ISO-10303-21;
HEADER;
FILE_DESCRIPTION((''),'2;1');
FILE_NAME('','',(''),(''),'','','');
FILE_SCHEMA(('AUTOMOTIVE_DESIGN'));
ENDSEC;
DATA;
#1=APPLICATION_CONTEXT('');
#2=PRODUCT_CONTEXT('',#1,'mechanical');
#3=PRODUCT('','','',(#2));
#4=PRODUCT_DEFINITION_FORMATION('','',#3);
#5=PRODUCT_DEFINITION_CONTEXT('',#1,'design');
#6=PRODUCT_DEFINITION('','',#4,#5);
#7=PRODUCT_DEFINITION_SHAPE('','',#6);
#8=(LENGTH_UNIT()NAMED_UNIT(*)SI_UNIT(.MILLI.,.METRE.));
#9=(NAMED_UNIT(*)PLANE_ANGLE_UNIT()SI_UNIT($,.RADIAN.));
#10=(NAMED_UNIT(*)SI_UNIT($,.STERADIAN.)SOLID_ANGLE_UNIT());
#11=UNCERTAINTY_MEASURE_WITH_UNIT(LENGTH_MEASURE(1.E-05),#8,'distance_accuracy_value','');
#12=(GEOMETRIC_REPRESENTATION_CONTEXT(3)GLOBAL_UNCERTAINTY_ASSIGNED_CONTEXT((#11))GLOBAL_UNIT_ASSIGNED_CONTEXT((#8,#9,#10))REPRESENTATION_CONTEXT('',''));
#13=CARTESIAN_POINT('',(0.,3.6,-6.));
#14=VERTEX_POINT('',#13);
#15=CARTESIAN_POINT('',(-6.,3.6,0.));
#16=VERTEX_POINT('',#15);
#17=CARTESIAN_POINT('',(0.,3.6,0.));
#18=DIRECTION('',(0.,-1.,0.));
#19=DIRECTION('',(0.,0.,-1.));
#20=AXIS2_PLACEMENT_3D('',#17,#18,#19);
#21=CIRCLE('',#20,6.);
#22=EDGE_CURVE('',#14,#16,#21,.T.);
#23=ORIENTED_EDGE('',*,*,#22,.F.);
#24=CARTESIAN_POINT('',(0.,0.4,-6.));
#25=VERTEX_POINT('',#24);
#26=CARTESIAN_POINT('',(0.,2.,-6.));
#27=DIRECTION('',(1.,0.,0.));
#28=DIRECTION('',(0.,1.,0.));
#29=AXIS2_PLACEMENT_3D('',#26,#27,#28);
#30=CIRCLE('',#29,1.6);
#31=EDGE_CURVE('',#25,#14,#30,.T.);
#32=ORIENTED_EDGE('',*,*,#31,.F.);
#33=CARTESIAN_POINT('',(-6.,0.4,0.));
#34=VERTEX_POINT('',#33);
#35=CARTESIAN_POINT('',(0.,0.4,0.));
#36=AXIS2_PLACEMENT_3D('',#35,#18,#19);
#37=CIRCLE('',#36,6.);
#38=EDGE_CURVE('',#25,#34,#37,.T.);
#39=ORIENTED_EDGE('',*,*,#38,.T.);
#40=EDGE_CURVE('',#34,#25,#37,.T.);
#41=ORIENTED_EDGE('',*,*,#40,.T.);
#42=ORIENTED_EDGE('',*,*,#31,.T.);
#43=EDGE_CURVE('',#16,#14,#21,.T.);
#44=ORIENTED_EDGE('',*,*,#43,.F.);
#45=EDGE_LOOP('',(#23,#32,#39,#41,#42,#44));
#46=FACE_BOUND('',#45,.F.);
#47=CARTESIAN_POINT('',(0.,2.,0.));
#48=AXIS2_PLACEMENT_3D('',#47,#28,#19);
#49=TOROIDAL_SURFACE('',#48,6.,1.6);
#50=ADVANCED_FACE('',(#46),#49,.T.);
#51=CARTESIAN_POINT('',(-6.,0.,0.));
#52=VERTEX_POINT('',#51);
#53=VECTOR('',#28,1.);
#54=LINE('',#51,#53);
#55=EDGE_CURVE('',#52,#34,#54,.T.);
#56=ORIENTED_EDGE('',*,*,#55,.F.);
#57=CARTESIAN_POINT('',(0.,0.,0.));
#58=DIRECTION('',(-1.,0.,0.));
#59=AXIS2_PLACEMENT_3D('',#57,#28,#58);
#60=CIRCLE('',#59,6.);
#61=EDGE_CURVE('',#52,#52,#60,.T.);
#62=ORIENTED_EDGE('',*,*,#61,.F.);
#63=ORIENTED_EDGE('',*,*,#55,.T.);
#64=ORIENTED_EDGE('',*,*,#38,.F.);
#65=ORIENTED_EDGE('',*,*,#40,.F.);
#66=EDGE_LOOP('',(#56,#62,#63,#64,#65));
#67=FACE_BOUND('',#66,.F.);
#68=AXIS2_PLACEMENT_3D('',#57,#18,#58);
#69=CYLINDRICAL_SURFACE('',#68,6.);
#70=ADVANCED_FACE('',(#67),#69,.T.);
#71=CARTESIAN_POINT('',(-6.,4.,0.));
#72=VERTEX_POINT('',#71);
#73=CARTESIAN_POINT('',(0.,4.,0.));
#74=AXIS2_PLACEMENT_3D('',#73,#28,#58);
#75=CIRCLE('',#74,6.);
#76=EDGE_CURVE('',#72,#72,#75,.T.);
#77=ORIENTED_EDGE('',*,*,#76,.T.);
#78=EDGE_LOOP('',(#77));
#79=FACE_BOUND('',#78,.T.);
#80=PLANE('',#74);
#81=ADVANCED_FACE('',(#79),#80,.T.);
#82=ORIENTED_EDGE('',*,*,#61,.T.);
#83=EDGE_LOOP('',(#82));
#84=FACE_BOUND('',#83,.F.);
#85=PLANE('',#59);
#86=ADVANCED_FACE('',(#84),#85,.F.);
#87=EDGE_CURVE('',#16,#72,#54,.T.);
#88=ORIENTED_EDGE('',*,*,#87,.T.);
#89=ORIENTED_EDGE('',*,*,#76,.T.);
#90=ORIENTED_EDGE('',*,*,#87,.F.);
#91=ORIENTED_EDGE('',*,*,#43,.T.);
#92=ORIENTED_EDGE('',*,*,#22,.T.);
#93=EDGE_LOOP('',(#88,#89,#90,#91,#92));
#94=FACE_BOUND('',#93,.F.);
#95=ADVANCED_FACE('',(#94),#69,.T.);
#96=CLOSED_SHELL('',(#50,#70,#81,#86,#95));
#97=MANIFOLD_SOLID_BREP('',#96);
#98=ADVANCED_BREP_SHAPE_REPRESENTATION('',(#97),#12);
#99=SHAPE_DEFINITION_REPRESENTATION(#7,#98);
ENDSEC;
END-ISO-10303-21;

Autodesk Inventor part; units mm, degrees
ref_plane "YZ Plane" through (0, 0, 0) normal (1, 0, 0) x (0, 1, 0)
ref_plane "XZ Plane" through (0, 0, 0) normal (0, 1, 0) x (-1, 0, 0)
ref_plane "XY Plane" through (0, 0, 0) normal (0, 0, 1) x (1, 0, 0)
sketch "Esquisse1" plane through (0, 0, 0) normal (0, 1, 0) x (-1, 0, 0)
  circle A0 centre (0, 0) radius 6
  dimension "d0" = 12
extrude "Extrusion1" add sketch "Esquisse1" along normal blind 4
sketch "Esquisse2" plane through (0, 0, 0) normal (1, 0, 0) x (0, 1, 0)
  line L0 (4, -6) -> (4, 6) projected
  line L1 (0, 6) -> (0, -6) projected
  line L2 (0, -6) -> (4, -6) projected
  circle A0 centre (2, -6) radius 1.6
  line L3 (2, -6) -> (2, 10.4927)
  line L4 (2, 0) -> (9.8007, 0)
  line L5 (4, -6) -> (4, 6) projected
  line L6 (4, 0) -> (-2.9892, 0)
  point P0 (0, 0)
  dimension "d3" = 3.2
revolve "Révolution1" add sketch "Esquisse2" angle 360 about axis through (0, 4, 0) along (0, -1, 0) contours A0 L2 | L2 L3 A0 | L2 A0 L3
properties part number "roulement_joint"
